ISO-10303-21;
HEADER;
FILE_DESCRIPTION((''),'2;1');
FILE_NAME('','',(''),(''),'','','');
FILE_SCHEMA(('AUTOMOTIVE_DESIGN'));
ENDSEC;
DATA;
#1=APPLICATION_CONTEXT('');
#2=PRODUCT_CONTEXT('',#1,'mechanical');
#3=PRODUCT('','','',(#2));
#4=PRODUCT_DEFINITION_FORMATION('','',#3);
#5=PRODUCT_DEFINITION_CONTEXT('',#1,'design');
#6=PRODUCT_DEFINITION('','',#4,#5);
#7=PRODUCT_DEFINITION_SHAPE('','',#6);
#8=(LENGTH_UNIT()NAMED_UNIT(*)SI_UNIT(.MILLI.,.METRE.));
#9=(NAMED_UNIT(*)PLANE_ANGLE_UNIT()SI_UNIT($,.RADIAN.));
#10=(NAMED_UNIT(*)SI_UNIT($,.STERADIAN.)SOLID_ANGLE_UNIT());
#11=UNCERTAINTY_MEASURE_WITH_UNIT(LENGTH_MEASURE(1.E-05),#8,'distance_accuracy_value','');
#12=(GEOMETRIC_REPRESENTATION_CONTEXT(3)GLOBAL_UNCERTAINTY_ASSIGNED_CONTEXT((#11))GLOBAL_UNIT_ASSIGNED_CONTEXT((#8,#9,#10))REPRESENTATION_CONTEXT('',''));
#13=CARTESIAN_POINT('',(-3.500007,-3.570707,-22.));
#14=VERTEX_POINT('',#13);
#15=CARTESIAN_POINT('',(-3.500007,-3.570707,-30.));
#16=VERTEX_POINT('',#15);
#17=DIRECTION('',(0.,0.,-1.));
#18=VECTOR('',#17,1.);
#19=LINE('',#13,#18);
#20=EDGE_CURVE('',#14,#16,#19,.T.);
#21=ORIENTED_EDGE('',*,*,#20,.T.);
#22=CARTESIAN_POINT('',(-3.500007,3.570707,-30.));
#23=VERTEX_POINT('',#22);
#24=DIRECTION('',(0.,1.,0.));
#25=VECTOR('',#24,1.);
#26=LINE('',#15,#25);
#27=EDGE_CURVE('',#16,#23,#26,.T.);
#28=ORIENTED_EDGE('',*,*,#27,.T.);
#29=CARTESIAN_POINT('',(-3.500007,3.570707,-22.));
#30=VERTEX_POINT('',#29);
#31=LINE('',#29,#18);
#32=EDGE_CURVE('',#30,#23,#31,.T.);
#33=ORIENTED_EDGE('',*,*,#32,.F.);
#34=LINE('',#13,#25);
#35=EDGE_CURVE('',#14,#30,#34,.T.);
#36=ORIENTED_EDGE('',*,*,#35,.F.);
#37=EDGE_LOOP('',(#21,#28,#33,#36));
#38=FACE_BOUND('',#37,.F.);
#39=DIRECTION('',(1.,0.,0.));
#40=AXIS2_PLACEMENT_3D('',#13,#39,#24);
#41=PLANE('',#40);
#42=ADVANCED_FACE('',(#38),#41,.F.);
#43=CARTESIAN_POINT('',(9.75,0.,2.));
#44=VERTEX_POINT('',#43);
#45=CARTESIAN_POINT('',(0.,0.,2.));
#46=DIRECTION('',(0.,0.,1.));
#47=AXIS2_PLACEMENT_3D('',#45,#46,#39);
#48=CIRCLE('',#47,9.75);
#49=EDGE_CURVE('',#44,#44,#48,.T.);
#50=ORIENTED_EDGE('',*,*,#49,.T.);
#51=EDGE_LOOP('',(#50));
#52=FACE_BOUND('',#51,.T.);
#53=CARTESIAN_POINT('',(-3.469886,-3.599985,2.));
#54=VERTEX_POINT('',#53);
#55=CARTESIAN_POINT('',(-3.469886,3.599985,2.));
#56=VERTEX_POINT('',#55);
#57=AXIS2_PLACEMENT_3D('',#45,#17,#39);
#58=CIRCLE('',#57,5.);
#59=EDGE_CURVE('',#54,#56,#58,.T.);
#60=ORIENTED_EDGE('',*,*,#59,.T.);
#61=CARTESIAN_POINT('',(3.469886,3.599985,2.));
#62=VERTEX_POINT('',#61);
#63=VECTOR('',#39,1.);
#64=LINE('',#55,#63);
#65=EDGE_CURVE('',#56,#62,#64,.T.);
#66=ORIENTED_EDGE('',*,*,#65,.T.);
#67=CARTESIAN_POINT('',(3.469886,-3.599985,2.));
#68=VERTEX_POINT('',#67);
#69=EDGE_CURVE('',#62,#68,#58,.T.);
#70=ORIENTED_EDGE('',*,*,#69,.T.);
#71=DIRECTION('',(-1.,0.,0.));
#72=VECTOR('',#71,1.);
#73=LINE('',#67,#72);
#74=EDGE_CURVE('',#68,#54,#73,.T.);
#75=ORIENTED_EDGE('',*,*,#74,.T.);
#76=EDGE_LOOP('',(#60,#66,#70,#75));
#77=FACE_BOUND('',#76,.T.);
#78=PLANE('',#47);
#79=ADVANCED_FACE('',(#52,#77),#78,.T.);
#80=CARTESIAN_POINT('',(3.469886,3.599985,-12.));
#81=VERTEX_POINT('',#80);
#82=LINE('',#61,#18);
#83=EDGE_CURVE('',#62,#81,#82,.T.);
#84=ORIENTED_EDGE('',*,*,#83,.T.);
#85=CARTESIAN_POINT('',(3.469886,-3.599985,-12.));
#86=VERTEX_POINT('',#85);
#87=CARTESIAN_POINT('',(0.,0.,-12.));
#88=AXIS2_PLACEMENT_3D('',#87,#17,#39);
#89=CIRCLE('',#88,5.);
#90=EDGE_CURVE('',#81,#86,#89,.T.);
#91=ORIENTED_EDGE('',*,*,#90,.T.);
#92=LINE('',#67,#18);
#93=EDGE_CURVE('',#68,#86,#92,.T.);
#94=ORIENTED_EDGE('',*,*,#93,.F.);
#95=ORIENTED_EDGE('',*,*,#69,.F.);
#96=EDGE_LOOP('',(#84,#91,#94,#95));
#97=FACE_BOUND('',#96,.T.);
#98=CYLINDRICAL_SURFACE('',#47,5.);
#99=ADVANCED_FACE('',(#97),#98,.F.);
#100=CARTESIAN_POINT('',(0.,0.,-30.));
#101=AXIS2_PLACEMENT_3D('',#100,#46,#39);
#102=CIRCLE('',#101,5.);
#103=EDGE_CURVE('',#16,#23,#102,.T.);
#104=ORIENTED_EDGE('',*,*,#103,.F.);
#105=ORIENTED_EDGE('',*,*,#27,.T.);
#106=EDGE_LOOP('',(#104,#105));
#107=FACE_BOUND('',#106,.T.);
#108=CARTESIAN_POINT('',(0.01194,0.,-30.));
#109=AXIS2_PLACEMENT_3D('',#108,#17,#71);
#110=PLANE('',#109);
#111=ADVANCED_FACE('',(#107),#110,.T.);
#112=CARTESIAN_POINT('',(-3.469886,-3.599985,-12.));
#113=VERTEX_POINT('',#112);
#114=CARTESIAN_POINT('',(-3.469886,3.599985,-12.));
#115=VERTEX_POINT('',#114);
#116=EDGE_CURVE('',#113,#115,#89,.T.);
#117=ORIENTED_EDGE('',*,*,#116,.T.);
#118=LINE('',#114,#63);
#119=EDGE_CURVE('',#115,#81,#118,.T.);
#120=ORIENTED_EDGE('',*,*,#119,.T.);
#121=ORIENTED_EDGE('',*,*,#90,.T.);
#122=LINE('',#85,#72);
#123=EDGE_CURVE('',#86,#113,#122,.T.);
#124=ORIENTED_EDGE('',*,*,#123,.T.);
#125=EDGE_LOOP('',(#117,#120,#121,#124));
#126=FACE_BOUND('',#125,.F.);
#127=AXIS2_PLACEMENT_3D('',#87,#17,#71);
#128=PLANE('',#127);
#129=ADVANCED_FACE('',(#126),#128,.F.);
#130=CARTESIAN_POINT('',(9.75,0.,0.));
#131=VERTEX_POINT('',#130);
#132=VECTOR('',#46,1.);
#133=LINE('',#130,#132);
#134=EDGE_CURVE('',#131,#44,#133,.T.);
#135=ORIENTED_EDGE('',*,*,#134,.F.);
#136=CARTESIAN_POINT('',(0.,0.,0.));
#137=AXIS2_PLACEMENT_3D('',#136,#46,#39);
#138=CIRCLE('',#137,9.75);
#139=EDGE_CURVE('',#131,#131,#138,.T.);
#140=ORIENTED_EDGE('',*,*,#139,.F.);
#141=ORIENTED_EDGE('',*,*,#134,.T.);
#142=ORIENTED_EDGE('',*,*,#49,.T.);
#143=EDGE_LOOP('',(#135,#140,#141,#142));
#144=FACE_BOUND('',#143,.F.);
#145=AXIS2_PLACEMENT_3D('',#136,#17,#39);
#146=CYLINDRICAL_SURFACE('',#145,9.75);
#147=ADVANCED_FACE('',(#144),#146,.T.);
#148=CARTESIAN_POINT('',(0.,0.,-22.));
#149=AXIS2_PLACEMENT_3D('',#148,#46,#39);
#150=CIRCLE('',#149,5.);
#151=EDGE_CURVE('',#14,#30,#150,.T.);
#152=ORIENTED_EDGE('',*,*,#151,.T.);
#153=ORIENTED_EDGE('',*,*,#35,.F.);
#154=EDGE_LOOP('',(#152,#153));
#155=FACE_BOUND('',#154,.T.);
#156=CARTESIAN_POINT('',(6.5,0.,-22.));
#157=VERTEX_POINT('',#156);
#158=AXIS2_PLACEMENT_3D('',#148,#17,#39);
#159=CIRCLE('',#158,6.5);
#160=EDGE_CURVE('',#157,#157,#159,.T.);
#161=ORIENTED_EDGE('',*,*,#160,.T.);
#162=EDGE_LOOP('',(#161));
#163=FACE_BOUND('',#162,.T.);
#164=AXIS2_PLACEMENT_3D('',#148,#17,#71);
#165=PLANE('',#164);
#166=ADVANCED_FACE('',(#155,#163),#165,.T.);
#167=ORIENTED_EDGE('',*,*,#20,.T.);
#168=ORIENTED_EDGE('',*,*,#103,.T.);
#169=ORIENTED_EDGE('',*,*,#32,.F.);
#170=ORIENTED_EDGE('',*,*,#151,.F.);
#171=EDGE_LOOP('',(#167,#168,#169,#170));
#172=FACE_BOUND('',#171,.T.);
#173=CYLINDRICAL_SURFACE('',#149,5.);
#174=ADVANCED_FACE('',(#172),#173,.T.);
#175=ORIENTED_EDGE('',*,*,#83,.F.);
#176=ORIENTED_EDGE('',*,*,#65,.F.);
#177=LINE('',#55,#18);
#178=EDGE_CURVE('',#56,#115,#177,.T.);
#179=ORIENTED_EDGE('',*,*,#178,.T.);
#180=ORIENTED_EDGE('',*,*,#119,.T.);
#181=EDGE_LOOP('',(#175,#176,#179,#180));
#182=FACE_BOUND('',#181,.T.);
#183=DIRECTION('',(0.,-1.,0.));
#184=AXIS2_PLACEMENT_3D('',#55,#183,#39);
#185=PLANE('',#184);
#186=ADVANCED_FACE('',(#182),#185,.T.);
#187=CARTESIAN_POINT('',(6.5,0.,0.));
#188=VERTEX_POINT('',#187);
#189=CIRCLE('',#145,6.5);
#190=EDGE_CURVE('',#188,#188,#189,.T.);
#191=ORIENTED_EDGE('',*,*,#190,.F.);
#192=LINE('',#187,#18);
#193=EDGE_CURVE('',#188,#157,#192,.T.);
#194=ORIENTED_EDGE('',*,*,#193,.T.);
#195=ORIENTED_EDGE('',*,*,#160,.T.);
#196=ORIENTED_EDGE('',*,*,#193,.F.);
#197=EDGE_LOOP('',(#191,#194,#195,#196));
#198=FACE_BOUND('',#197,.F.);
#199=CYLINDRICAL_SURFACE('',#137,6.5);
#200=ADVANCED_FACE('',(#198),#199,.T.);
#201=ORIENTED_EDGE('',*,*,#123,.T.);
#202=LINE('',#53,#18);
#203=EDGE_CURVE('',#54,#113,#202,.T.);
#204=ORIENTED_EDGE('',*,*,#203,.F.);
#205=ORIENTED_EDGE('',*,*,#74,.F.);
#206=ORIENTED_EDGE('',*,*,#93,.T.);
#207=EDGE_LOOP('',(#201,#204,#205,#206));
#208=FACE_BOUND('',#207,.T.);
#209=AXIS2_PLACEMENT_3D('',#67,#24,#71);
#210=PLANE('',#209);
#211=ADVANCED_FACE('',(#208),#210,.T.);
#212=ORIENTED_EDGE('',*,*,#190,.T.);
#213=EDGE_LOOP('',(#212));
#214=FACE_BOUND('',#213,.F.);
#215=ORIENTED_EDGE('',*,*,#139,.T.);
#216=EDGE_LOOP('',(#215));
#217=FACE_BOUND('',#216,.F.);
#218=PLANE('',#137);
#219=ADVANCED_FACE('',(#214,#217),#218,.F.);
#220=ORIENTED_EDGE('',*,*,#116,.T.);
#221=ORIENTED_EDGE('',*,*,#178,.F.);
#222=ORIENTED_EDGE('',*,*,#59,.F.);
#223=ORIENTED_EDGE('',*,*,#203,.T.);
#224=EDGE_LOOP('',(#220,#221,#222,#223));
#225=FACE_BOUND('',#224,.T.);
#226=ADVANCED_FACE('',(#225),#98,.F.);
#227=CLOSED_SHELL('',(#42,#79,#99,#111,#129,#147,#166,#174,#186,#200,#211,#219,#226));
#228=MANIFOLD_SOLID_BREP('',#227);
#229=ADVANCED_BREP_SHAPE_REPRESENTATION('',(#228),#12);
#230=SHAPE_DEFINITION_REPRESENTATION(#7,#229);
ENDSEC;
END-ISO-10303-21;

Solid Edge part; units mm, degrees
sketch "Sketch1" plane through (0, 0, 0) normal (0, 0, 1) x (1, 0, 0)
  circle A0 centre (0, 0) radius 9.75
  dimension "D1" = 19.5
extrude "Protrusion1" add sketch "Sketch1" along normal blind 2
sketch "Sketch2" plane through (0, 0, 0) normal (0, 0, -1) x (1, 0, 0)
  circle A0 centre (0, 0) radius 6.5
  dimension "D1" = 13
extrude "Protrusion2" add sketch "Sketch2" along normal blind 22
sketch "Sketch3" plane through (0, 0, -22) normal (0, 0, -1) x (1, 0, 0)
  line L0 (-3.5, 3.5707) -> (-3.5, -3.5707)
  arc A0 (-3.5, 3.5707) -> (-3.5, -3.5707) centre (0, 0) cw
  dimension "D1" = 10
  dimension "D2" = 3.5
extrude "Protrusion3" add sketch "Sketch3" along normal blind 8
sketch "Sketch4" plane through (0, 0, 2) normal (0, 0, 1) x (1, 0, 0)
  line L0 (-3.4699, 3.6) -> (3.4699, 3.6)
  arc A0 (3.4699, 3.6) -> (3.4699, -3.6) centre (0, 0) cw
  line L1 (3.4699, -3.6) -> (-3.4699, -3.6)
  arc A1 (-3.4699, -3.6) -> (-3.4699, 3.6) centre (0, 0) cw
  dimension "D1" = 5
  dimension "D2" = 3.6
  dimension "D3" = 7.2
extrude "Cutout1" cut sketch "Sketch4" against normal blind 14
properties part number "SHAFT1" material "4140 Steel"
